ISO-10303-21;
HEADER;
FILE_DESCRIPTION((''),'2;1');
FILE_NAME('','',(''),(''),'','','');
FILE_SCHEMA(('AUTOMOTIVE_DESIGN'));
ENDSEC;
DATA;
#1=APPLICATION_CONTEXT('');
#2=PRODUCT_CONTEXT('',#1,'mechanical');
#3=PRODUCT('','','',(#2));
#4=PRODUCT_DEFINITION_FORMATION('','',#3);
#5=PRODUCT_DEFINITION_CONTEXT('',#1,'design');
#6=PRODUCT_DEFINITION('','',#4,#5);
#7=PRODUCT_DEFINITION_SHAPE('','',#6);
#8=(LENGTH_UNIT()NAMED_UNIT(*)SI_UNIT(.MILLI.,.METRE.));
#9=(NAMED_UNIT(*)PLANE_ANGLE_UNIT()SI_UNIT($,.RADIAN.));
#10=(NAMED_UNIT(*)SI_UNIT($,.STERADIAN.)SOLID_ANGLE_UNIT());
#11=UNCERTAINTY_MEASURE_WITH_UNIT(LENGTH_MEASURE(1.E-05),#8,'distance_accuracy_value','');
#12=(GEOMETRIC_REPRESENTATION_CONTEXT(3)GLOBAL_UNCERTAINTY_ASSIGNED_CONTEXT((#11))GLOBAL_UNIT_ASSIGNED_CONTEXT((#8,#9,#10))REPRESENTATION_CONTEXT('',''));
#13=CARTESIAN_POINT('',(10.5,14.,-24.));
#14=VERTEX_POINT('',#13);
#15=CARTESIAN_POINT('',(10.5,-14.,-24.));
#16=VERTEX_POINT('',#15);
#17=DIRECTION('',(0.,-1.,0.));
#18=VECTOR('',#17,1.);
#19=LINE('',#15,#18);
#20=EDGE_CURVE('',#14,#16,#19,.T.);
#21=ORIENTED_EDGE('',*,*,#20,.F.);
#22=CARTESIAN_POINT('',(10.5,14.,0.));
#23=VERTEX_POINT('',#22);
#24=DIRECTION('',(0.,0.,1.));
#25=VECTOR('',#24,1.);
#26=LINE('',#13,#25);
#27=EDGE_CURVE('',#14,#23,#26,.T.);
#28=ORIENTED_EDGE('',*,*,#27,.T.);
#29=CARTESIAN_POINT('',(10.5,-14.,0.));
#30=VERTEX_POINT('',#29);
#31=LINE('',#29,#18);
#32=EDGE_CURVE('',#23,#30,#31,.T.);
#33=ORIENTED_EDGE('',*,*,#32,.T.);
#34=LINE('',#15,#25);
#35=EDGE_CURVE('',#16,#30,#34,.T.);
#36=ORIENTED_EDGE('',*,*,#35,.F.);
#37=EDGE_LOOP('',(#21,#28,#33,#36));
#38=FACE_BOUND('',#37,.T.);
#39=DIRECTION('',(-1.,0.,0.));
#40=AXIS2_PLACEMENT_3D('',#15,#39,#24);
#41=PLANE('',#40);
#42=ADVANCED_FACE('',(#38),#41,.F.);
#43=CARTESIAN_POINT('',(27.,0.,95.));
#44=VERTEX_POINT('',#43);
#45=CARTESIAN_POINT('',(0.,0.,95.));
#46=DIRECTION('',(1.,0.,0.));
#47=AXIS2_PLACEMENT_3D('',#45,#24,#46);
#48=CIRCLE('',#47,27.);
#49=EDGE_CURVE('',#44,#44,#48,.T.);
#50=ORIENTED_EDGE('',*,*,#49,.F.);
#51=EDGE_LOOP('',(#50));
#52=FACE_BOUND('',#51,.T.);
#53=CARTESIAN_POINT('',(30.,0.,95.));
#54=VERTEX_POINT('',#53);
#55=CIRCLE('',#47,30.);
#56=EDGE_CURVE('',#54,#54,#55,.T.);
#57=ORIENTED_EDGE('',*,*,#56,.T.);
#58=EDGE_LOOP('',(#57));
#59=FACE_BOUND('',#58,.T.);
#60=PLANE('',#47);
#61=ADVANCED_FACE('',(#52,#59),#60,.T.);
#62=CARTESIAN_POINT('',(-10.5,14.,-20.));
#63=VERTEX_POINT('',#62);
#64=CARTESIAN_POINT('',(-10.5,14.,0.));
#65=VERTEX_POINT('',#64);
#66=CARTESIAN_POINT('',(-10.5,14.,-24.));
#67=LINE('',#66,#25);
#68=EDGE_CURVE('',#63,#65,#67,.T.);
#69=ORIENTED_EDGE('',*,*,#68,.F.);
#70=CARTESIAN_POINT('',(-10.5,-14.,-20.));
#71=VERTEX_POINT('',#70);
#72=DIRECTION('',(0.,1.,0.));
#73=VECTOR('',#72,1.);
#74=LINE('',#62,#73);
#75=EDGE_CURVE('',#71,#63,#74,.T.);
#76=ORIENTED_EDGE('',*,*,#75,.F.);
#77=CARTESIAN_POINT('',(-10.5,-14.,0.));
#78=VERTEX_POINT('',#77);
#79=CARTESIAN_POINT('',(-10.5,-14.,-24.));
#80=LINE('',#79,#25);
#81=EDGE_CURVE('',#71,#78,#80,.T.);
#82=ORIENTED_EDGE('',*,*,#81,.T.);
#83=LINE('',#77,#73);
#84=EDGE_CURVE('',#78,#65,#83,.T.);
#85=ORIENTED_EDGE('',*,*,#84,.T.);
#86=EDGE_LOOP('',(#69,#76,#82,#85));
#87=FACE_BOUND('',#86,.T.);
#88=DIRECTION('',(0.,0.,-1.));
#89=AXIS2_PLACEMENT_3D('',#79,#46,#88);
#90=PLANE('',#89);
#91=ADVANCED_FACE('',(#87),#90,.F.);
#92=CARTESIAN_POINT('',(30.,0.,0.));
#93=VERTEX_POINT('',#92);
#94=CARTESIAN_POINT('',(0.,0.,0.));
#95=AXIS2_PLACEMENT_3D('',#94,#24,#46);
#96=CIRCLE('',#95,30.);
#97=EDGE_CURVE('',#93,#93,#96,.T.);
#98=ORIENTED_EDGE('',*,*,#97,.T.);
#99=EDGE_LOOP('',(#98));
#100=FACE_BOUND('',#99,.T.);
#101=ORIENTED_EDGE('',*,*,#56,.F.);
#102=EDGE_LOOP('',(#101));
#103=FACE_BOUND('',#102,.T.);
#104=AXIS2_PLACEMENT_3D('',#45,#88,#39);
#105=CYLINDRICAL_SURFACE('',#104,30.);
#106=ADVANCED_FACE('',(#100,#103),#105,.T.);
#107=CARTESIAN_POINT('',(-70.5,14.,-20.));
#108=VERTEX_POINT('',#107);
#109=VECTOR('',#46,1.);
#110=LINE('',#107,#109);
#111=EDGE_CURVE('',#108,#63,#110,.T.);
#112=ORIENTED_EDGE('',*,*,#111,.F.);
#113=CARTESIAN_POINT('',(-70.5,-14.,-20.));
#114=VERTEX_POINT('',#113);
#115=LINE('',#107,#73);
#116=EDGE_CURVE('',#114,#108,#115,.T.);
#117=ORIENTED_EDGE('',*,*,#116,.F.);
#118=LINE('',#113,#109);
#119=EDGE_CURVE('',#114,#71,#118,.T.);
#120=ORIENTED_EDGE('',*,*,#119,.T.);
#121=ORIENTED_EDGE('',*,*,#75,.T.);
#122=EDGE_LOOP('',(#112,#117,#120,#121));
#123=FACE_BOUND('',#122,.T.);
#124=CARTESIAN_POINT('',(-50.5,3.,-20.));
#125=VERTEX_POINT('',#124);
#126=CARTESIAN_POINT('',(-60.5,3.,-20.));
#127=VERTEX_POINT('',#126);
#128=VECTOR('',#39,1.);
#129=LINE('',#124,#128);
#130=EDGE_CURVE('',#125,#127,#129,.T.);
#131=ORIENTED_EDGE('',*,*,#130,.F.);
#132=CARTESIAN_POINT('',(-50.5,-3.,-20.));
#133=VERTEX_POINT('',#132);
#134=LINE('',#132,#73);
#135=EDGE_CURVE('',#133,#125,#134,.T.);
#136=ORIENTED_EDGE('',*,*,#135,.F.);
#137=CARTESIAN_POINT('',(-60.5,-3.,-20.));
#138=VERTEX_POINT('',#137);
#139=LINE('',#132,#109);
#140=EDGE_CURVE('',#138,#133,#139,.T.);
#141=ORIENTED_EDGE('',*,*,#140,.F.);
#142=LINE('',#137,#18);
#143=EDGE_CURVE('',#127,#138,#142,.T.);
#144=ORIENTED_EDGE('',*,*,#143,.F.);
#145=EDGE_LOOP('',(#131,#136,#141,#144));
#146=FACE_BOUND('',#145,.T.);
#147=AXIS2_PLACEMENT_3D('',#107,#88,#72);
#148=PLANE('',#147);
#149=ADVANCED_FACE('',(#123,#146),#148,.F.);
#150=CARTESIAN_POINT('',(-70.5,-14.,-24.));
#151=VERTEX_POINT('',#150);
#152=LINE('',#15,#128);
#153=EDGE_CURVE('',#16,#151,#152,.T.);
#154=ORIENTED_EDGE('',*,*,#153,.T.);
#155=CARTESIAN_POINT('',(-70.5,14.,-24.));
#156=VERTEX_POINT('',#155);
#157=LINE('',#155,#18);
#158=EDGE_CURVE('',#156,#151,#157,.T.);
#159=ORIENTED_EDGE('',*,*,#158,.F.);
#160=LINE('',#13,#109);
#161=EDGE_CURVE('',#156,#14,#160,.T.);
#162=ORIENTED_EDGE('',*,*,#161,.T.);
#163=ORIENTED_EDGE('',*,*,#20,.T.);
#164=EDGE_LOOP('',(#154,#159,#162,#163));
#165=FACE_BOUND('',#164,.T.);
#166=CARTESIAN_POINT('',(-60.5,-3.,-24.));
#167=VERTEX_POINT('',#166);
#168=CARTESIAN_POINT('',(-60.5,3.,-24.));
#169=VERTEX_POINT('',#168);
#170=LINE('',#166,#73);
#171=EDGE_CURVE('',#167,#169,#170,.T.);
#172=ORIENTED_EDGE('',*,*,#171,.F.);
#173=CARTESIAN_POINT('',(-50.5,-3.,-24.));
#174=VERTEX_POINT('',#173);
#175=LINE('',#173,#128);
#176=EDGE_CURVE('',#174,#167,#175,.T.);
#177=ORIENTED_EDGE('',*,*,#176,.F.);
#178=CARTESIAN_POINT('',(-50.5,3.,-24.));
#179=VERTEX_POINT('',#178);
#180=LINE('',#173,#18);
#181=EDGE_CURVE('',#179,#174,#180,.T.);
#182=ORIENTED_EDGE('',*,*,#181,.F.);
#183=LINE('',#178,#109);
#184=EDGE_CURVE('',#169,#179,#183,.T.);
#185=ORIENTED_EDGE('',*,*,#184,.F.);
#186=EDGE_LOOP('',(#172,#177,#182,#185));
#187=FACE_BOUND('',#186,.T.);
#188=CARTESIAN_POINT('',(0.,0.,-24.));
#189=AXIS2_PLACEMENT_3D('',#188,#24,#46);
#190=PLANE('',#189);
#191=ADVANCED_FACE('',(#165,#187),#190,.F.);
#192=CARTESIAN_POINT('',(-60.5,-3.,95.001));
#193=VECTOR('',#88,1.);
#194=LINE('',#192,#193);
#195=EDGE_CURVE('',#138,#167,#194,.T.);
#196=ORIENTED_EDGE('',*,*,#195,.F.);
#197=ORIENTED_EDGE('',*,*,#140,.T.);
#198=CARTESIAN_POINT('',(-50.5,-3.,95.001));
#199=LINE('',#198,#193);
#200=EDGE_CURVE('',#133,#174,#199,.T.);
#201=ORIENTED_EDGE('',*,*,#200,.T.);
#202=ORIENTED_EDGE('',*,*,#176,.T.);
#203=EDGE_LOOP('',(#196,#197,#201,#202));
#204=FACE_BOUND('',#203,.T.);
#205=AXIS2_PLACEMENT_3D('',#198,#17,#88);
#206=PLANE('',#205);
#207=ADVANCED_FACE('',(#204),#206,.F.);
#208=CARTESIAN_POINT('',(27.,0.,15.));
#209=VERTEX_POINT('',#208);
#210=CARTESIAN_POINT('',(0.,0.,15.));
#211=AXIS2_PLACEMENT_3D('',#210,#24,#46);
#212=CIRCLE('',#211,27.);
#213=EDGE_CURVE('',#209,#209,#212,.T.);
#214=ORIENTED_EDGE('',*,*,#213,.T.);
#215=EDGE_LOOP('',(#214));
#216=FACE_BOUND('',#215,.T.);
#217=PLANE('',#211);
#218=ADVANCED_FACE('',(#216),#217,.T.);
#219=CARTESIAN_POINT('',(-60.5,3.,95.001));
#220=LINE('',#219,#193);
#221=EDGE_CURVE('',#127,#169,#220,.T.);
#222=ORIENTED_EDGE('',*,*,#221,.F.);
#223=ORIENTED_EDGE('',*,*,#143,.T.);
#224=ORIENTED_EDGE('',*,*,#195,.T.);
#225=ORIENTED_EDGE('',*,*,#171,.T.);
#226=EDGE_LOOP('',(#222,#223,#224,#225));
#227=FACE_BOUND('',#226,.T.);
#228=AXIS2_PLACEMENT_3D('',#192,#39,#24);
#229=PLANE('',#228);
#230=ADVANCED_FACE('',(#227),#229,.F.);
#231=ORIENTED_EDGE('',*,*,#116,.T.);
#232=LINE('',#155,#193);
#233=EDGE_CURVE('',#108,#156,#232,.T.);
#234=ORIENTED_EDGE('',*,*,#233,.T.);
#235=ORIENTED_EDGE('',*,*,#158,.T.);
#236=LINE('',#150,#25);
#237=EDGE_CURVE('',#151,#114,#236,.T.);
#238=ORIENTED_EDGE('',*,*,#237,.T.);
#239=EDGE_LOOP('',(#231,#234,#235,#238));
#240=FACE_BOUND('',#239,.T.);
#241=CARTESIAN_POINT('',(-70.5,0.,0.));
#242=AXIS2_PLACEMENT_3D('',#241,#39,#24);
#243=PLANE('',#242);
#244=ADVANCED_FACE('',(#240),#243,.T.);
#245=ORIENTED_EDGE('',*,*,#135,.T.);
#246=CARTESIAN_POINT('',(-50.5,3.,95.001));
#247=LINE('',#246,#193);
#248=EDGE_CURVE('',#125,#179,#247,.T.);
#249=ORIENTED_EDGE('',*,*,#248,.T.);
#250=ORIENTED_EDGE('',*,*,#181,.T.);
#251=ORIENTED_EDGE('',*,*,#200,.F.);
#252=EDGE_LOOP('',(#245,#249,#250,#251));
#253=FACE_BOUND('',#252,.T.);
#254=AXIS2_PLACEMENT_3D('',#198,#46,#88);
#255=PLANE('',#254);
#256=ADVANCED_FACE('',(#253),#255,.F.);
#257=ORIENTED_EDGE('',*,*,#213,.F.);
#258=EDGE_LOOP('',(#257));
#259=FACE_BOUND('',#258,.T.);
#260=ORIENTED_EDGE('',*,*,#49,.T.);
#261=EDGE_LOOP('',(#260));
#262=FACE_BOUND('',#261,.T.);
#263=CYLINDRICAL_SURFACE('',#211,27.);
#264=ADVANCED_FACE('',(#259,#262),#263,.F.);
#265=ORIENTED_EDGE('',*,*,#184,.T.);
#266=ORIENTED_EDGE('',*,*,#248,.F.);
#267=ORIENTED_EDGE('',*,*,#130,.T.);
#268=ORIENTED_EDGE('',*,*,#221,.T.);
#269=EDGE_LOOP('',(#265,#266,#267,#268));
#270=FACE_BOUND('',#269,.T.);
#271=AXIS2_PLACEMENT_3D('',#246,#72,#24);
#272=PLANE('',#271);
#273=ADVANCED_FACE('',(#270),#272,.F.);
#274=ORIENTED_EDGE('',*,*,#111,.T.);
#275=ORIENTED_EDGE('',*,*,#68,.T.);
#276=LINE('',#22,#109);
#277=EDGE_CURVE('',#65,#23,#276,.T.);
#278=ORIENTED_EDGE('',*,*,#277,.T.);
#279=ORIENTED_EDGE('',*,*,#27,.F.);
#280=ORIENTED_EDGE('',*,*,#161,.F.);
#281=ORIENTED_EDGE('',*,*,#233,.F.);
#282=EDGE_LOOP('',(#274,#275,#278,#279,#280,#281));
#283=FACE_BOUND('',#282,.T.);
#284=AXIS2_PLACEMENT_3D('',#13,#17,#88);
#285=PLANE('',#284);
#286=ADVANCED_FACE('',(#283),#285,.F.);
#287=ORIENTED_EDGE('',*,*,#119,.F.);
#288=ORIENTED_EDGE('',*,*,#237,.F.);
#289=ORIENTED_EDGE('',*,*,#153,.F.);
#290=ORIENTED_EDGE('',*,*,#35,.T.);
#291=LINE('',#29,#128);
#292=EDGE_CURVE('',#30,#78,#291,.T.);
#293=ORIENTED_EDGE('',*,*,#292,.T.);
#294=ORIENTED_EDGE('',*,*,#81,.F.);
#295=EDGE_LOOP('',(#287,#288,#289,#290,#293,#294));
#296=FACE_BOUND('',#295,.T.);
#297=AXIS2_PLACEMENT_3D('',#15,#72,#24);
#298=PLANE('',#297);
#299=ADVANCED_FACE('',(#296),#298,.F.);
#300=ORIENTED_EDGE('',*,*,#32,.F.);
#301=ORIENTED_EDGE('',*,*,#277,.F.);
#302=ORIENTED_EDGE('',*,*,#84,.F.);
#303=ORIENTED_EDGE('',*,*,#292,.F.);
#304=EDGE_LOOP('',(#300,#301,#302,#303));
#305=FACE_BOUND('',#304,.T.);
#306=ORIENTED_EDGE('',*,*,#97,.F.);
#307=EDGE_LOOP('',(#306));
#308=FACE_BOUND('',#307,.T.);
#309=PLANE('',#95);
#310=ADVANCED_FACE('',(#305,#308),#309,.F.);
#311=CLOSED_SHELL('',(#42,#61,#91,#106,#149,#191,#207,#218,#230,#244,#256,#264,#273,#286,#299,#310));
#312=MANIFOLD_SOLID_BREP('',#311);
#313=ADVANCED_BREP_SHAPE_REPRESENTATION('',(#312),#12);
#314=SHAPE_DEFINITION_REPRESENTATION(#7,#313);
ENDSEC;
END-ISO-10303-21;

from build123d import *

# Parameters (mm, degrees)
ESQUISSE1_R             = 30
BOSS_EXTRU_1_DEPTH      = 95
ESQUISSE2_R             = 27
ENL_V_MAT_EXTRU_1_DEPTH = 80
ESQUISSE3_W             = 21
ESQUISSE3_H             = 28
BOSS_EXTRU_2_DEPTH      = 24
ESQUISSE4_W             = 4
ESQUISSE4_H             = 28
BOSS_EXTRU_3_DEPTH      = 60
ENL_V_MAT_EXTRU_2_REACH = 143.532
ESQUISSE5_W             = 10
ESQUISSE5_H             = 6


with BuildPart() as part:
    # Esquisse1 → Boss.-Extru.1 (new body)
    with BuildSketch(Plane.XY):
        Circle(ESQUISSE1_R)
    extrude(amount=BOSS_EXTRU_1_DEPTH)

    # Esquisse2 → Enlèv. mat.-Extru.1 (cut)
    with BuildSketch(Plane.XY.offset(95)):
        Circle(ESQUISSE2_R)
    extrude(amount=-ENL_V_MAT_EXTRU_1_DEPTH, mode=Mode.SUBTRACT)

    # Esquisse3 → Boss.-Extru.2 (add)
    with BuildSketch(Plane(origin=(0, 0, 0), x_dir=(-1, 0, 0), z_dir=(0, 0, -1))):
        Rectangle(ESQUISSE3_W, ESQUISSE3_H)
    extrude(amount=BOSS_EXTRU_2_DEPTH)

    # Esquisse4 → Boss.-Extru.3 (add)
    with BuildSketch(Plane.ZY.offset(10.5)):
        with Locations((-22, 0)):
            Rectangle(ESQUISSE4_W, ESQUISSE4_H)
    extrude(amount=BOSS_EXTRU_3_DEPTH)

    # Esquisse5 → Enlèv. mat.-Extru.2 (cut, up to next)
    with BuildSketch(Plane(origin=(0, 0, -24), x_dir=(-1, 0, 0), z_dir=(0, 0, -1)), mode=Mode.PRIVATE) as enl_v_mat_extru_2_sk1:
        with Locations((55.5, 0)):
            Rectangle(ESQUISSE5_W, ESQUISSE5_H)
    enl_v_mat_extru_2_tool1 = extrude(enl_v_mat_extru_2_sk1.sketch, amount=-ENL_V_MAT_EXTRU_2_REACH, mode=Mode.PRIVATE) & part.part
    add(enl_v_mat_extru_2_tool1.solids().sort_by_distance((-55.5, 0, -24))[0], mode=Mode.SUBTRACT)


solid = part.part
